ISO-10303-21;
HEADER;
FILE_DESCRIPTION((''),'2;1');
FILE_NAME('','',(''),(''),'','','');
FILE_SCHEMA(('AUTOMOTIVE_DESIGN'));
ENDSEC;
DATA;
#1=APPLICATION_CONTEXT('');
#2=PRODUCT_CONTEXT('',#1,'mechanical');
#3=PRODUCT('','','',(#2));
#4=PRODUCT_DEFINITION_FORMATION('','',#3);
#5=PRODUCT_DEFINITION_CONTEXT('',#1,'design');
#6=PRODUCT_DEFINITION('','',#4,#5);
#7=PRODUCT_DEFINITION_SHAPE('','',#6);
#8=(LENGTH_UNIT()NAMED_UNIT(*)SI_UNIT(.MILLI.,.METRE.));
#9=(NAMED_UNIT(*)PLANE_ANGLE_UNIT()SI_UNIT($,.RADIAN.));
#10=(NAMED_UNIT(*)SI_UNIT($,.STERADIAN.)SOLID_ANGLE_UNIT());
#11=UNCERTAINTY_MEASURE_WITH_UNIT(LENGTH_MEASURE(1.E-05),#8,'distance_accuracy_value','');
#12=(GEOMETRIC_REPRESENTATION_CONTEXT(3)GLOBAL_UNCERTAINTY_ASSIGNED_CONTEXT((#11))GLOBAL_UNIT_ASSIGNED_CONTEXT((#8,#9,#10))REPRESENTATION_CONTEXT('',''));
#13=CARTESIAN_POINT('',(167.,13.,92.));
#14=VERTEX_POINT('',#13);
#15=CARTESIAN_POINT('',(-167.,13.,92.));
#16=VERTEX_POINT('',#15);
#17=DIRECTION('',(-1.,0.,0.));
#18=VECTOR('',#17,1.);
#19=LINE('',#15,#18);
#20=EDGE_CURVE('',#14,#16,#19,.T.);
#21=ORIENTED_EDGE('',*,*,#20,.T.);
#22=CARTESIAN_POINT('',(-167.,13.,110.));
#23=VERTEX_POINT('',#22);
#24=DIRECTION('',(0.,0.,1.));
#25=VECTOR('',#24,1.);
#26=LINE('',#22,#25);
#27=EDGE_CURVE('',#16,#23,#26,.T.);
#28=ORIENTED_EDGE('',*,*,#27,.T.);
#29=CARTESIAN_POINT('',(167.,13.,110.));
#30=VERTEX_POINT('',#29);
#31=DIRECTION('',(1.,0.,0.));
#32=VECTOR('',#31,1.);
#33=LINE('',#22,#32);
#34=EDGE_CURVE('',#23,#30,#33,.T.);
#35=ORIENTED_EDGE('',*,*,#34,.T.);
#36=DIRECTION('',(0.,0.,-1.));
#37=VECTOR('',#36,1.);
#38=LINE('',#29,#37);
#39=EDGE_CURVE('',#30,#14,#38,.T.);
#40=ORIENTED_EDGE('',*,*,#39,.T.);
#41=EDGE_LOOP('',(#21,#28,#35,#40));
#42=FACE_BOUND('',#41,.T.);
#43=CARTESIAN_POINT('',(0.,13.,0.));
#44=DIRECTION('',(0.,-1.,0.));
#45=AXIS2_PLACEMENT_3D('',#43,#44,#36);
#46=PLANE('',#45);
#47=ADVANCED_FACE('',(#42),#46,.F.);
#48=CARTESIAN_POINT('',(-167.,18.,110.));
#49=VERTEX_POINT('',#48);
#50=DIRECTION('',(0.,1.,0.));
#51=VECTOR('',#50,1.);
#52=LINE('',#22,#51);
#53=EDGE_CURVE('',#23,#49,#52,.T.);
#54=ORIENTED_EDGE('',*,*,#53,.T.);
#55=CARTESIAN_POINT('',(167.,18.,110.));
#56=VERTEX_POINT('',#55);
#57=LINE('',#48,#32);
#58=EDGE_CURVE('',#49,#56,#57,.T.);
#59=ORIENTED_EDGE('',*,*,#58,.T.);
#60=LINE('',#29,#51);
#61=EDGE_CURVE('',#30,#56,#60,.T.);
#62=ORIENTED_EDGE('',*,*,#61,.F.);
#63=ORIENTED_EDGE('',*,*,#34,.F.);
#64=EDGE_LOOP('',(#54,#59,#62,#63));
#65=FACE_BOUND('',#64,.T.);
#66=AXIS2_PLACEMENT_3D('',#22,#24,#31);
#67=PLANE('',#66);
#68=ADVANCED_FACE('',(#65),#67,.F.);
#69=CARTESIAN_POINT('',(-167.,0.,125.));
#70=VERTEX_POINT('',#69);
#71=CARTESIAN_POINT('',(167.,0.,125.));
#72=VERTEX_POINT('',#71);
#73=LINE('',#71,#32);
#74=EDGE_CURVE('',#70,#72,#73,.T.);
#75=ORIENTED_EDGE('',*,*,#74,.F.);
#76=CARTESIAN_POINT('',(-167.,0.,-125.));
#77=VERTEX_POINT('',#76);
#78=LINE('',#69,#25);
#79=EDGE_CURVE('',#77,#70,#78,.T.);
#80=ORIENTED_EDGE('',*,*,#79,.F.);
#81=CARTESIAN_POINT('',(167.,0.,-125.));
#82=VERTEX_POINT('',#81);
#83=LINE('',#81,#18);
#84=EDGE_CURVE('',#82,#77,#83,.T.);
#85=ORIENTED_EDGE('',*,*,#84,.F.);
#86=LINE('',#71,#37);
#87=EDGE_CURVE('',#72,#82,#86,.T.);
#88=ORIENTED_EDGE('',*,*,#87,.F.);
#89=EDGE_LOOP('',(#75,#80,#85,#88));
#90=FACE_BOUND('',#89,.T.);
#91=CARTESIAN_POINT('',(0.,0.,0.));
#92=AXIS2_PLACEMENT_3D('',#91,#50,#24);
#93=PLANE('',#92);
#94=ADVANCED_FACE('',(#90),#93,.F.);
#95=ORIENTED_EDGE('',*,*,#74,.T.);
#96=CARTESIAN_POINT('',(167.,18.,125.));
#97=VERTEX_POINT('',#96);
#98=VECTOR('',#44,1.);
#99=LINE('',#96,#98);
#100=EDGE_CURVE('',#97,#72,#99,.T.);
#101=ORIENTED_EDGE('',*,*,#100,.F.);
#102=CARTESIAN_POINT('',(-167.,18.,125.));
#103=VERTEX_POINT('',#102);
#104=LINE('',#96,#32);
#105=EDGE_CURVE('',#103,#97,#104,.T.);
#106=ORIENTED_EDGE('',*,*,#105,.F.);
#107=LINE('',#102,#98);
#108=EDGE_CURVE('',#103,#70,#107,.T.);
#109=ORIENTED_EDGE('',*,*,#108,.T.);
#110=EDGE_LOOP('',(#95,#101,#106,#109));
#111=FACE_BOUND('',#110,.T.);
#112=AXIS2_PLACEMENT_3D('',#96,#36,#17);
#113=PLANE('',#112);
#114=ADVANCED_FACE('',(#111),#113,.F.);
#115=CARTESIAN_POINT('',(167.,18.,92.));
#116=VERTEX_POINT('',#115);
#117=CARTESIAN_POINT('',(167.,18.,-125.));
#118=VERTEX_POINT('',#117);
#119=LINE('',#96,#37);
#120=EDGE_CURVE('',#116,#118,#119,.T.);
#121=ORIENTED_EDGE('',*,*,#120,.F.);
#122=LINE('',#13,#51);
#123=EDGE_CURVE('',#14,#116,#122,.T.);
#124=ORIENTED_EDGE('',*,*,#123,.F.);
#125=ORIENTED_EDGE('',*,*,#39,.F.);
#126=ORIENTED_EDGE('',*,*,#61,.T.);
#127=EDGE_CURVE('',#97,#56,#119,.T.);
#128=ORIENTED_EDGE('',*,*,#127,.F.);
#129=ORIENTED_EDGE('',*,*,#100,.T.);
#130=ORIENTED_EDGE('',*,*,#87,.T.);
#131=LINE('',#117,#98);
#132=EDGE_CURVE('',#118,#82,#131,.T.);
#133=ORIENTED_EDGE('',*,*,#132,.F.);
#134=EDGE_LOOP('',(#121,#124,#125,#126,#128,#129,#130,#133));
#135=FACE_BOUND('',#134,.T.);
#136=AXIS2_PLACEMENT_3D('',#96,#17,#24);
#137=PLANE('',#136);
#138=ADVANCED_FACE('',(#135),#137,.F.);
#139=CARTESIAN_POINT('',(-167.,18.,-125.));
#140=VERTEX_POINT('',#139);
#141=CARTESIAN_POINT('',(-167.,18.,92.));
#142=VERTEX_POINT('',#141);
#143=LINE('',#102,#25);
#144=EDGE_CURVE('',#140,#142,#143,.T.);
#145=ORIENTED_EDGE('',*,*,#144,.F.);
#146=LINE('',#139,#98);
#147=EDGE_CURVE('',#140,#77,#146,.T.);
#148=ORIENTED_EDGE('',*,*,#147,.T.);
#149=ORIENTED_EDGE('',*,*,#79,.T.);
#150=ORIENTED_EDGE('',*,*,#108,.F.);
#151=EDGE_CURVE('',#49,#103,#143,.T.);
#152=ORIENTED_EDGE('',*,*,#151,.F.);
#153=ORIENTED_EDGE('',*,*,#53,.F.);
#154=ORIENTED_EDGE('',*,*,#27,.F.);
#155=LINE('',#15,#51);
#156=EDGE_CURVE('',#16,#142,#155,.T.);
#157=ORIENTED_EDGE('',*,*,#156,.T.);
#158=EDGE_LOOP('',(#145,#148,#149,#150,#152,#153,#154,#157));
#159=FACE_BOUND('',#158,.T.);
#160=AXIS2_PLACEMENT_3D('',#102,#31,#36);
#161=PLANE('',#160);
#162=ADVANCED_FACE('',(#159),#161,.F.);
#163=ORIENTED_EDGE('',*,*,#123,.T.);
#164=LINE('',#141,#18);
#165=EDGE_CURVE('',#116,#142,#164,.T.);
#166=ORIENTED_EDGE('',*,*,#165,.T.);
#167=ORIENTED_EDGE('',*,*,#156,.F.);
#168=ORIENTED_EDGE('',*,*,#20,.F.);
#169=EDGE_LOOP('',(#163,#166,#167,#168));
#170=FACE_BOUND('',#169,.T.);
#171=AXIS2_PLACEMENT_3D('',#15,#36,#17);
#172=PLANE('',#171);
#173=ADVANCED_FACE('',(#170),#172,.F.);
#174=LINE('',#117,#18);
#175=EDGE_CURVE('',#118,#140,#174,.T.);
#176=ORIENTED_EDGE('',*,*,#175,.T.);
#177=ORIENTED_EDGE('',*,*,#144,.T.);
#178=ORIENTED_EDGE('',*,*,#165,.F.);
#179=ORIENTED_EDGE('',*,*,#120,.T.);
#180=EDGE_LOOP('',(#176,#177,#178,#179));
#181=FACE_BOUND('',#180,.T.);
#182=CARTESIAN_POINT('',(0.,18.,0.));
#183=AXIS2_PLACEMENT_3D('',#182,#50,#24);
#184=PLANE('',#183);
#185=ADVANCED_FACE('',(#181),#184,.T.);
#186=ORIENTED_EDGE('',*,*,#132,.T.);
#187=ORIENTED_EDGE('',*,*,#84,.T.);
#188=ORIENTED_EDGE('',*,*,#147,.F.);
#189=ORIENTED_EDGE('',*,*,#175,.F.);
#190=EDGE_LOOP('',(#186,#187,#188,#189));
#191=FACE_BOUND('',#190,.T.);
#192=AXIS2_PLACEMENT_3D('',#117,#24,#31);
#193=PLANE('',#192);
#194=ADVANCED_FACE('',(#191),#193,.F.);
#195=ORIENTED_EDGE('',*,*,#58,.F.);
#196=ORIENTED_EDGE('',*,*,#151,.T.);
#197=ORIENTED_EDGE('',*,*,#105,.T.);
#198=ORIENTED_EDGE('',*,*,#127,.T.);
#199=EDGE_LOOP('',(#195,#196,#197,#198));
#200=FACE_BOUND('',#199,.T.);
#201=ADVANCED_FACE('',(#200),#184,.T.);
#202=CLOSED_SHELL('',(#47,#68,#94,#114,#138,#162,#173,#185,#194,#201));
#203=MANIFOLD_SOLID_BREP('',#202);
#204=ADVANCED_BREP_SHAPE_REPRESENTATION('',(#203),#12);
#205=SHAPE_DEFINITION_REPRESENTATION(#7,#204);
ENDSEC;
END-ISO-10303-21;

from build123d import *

# Parameters (mm, degrees)
SKETCH_1_W          = 334
SKETCH_1_H          = 250
EXTRUDE_1_DEPTH     = 18
SKETCH_2_W          = 334
SKETCH_2_H          = 18
CUT_EXTRUDE_1_DEPTH = 5


with BuildPart() as part:
    # Эскиз1 → Бобышка-Вытянуть1 (new body)
    with BuildSketch(Plane(origin=(0, 0, 0), x_dir=(1, 0, 0), z_dir=(0, 1, 0))):
        Rectangle(SKETCH_1_W, SKETCH_1_H)
    extrude(amount=EXTRUDE_1_DEPTH)

    # Эскиз2 → Вырез-Вытянуть1 (cut)
    with BuildSketch(Plane(origin=(0, 18, 0), x_dir=(1, 0, 0), z_dir=(0, 1, 0))):
        with Locations((0, -101)):
            Rectangle(SKETCH_2_W, SKETCH_2_H)
    extrude(amount=-CUT_EXTRUDE_1_DEPTH, mode=Mode.SUBTRACT)


solid = part.part
